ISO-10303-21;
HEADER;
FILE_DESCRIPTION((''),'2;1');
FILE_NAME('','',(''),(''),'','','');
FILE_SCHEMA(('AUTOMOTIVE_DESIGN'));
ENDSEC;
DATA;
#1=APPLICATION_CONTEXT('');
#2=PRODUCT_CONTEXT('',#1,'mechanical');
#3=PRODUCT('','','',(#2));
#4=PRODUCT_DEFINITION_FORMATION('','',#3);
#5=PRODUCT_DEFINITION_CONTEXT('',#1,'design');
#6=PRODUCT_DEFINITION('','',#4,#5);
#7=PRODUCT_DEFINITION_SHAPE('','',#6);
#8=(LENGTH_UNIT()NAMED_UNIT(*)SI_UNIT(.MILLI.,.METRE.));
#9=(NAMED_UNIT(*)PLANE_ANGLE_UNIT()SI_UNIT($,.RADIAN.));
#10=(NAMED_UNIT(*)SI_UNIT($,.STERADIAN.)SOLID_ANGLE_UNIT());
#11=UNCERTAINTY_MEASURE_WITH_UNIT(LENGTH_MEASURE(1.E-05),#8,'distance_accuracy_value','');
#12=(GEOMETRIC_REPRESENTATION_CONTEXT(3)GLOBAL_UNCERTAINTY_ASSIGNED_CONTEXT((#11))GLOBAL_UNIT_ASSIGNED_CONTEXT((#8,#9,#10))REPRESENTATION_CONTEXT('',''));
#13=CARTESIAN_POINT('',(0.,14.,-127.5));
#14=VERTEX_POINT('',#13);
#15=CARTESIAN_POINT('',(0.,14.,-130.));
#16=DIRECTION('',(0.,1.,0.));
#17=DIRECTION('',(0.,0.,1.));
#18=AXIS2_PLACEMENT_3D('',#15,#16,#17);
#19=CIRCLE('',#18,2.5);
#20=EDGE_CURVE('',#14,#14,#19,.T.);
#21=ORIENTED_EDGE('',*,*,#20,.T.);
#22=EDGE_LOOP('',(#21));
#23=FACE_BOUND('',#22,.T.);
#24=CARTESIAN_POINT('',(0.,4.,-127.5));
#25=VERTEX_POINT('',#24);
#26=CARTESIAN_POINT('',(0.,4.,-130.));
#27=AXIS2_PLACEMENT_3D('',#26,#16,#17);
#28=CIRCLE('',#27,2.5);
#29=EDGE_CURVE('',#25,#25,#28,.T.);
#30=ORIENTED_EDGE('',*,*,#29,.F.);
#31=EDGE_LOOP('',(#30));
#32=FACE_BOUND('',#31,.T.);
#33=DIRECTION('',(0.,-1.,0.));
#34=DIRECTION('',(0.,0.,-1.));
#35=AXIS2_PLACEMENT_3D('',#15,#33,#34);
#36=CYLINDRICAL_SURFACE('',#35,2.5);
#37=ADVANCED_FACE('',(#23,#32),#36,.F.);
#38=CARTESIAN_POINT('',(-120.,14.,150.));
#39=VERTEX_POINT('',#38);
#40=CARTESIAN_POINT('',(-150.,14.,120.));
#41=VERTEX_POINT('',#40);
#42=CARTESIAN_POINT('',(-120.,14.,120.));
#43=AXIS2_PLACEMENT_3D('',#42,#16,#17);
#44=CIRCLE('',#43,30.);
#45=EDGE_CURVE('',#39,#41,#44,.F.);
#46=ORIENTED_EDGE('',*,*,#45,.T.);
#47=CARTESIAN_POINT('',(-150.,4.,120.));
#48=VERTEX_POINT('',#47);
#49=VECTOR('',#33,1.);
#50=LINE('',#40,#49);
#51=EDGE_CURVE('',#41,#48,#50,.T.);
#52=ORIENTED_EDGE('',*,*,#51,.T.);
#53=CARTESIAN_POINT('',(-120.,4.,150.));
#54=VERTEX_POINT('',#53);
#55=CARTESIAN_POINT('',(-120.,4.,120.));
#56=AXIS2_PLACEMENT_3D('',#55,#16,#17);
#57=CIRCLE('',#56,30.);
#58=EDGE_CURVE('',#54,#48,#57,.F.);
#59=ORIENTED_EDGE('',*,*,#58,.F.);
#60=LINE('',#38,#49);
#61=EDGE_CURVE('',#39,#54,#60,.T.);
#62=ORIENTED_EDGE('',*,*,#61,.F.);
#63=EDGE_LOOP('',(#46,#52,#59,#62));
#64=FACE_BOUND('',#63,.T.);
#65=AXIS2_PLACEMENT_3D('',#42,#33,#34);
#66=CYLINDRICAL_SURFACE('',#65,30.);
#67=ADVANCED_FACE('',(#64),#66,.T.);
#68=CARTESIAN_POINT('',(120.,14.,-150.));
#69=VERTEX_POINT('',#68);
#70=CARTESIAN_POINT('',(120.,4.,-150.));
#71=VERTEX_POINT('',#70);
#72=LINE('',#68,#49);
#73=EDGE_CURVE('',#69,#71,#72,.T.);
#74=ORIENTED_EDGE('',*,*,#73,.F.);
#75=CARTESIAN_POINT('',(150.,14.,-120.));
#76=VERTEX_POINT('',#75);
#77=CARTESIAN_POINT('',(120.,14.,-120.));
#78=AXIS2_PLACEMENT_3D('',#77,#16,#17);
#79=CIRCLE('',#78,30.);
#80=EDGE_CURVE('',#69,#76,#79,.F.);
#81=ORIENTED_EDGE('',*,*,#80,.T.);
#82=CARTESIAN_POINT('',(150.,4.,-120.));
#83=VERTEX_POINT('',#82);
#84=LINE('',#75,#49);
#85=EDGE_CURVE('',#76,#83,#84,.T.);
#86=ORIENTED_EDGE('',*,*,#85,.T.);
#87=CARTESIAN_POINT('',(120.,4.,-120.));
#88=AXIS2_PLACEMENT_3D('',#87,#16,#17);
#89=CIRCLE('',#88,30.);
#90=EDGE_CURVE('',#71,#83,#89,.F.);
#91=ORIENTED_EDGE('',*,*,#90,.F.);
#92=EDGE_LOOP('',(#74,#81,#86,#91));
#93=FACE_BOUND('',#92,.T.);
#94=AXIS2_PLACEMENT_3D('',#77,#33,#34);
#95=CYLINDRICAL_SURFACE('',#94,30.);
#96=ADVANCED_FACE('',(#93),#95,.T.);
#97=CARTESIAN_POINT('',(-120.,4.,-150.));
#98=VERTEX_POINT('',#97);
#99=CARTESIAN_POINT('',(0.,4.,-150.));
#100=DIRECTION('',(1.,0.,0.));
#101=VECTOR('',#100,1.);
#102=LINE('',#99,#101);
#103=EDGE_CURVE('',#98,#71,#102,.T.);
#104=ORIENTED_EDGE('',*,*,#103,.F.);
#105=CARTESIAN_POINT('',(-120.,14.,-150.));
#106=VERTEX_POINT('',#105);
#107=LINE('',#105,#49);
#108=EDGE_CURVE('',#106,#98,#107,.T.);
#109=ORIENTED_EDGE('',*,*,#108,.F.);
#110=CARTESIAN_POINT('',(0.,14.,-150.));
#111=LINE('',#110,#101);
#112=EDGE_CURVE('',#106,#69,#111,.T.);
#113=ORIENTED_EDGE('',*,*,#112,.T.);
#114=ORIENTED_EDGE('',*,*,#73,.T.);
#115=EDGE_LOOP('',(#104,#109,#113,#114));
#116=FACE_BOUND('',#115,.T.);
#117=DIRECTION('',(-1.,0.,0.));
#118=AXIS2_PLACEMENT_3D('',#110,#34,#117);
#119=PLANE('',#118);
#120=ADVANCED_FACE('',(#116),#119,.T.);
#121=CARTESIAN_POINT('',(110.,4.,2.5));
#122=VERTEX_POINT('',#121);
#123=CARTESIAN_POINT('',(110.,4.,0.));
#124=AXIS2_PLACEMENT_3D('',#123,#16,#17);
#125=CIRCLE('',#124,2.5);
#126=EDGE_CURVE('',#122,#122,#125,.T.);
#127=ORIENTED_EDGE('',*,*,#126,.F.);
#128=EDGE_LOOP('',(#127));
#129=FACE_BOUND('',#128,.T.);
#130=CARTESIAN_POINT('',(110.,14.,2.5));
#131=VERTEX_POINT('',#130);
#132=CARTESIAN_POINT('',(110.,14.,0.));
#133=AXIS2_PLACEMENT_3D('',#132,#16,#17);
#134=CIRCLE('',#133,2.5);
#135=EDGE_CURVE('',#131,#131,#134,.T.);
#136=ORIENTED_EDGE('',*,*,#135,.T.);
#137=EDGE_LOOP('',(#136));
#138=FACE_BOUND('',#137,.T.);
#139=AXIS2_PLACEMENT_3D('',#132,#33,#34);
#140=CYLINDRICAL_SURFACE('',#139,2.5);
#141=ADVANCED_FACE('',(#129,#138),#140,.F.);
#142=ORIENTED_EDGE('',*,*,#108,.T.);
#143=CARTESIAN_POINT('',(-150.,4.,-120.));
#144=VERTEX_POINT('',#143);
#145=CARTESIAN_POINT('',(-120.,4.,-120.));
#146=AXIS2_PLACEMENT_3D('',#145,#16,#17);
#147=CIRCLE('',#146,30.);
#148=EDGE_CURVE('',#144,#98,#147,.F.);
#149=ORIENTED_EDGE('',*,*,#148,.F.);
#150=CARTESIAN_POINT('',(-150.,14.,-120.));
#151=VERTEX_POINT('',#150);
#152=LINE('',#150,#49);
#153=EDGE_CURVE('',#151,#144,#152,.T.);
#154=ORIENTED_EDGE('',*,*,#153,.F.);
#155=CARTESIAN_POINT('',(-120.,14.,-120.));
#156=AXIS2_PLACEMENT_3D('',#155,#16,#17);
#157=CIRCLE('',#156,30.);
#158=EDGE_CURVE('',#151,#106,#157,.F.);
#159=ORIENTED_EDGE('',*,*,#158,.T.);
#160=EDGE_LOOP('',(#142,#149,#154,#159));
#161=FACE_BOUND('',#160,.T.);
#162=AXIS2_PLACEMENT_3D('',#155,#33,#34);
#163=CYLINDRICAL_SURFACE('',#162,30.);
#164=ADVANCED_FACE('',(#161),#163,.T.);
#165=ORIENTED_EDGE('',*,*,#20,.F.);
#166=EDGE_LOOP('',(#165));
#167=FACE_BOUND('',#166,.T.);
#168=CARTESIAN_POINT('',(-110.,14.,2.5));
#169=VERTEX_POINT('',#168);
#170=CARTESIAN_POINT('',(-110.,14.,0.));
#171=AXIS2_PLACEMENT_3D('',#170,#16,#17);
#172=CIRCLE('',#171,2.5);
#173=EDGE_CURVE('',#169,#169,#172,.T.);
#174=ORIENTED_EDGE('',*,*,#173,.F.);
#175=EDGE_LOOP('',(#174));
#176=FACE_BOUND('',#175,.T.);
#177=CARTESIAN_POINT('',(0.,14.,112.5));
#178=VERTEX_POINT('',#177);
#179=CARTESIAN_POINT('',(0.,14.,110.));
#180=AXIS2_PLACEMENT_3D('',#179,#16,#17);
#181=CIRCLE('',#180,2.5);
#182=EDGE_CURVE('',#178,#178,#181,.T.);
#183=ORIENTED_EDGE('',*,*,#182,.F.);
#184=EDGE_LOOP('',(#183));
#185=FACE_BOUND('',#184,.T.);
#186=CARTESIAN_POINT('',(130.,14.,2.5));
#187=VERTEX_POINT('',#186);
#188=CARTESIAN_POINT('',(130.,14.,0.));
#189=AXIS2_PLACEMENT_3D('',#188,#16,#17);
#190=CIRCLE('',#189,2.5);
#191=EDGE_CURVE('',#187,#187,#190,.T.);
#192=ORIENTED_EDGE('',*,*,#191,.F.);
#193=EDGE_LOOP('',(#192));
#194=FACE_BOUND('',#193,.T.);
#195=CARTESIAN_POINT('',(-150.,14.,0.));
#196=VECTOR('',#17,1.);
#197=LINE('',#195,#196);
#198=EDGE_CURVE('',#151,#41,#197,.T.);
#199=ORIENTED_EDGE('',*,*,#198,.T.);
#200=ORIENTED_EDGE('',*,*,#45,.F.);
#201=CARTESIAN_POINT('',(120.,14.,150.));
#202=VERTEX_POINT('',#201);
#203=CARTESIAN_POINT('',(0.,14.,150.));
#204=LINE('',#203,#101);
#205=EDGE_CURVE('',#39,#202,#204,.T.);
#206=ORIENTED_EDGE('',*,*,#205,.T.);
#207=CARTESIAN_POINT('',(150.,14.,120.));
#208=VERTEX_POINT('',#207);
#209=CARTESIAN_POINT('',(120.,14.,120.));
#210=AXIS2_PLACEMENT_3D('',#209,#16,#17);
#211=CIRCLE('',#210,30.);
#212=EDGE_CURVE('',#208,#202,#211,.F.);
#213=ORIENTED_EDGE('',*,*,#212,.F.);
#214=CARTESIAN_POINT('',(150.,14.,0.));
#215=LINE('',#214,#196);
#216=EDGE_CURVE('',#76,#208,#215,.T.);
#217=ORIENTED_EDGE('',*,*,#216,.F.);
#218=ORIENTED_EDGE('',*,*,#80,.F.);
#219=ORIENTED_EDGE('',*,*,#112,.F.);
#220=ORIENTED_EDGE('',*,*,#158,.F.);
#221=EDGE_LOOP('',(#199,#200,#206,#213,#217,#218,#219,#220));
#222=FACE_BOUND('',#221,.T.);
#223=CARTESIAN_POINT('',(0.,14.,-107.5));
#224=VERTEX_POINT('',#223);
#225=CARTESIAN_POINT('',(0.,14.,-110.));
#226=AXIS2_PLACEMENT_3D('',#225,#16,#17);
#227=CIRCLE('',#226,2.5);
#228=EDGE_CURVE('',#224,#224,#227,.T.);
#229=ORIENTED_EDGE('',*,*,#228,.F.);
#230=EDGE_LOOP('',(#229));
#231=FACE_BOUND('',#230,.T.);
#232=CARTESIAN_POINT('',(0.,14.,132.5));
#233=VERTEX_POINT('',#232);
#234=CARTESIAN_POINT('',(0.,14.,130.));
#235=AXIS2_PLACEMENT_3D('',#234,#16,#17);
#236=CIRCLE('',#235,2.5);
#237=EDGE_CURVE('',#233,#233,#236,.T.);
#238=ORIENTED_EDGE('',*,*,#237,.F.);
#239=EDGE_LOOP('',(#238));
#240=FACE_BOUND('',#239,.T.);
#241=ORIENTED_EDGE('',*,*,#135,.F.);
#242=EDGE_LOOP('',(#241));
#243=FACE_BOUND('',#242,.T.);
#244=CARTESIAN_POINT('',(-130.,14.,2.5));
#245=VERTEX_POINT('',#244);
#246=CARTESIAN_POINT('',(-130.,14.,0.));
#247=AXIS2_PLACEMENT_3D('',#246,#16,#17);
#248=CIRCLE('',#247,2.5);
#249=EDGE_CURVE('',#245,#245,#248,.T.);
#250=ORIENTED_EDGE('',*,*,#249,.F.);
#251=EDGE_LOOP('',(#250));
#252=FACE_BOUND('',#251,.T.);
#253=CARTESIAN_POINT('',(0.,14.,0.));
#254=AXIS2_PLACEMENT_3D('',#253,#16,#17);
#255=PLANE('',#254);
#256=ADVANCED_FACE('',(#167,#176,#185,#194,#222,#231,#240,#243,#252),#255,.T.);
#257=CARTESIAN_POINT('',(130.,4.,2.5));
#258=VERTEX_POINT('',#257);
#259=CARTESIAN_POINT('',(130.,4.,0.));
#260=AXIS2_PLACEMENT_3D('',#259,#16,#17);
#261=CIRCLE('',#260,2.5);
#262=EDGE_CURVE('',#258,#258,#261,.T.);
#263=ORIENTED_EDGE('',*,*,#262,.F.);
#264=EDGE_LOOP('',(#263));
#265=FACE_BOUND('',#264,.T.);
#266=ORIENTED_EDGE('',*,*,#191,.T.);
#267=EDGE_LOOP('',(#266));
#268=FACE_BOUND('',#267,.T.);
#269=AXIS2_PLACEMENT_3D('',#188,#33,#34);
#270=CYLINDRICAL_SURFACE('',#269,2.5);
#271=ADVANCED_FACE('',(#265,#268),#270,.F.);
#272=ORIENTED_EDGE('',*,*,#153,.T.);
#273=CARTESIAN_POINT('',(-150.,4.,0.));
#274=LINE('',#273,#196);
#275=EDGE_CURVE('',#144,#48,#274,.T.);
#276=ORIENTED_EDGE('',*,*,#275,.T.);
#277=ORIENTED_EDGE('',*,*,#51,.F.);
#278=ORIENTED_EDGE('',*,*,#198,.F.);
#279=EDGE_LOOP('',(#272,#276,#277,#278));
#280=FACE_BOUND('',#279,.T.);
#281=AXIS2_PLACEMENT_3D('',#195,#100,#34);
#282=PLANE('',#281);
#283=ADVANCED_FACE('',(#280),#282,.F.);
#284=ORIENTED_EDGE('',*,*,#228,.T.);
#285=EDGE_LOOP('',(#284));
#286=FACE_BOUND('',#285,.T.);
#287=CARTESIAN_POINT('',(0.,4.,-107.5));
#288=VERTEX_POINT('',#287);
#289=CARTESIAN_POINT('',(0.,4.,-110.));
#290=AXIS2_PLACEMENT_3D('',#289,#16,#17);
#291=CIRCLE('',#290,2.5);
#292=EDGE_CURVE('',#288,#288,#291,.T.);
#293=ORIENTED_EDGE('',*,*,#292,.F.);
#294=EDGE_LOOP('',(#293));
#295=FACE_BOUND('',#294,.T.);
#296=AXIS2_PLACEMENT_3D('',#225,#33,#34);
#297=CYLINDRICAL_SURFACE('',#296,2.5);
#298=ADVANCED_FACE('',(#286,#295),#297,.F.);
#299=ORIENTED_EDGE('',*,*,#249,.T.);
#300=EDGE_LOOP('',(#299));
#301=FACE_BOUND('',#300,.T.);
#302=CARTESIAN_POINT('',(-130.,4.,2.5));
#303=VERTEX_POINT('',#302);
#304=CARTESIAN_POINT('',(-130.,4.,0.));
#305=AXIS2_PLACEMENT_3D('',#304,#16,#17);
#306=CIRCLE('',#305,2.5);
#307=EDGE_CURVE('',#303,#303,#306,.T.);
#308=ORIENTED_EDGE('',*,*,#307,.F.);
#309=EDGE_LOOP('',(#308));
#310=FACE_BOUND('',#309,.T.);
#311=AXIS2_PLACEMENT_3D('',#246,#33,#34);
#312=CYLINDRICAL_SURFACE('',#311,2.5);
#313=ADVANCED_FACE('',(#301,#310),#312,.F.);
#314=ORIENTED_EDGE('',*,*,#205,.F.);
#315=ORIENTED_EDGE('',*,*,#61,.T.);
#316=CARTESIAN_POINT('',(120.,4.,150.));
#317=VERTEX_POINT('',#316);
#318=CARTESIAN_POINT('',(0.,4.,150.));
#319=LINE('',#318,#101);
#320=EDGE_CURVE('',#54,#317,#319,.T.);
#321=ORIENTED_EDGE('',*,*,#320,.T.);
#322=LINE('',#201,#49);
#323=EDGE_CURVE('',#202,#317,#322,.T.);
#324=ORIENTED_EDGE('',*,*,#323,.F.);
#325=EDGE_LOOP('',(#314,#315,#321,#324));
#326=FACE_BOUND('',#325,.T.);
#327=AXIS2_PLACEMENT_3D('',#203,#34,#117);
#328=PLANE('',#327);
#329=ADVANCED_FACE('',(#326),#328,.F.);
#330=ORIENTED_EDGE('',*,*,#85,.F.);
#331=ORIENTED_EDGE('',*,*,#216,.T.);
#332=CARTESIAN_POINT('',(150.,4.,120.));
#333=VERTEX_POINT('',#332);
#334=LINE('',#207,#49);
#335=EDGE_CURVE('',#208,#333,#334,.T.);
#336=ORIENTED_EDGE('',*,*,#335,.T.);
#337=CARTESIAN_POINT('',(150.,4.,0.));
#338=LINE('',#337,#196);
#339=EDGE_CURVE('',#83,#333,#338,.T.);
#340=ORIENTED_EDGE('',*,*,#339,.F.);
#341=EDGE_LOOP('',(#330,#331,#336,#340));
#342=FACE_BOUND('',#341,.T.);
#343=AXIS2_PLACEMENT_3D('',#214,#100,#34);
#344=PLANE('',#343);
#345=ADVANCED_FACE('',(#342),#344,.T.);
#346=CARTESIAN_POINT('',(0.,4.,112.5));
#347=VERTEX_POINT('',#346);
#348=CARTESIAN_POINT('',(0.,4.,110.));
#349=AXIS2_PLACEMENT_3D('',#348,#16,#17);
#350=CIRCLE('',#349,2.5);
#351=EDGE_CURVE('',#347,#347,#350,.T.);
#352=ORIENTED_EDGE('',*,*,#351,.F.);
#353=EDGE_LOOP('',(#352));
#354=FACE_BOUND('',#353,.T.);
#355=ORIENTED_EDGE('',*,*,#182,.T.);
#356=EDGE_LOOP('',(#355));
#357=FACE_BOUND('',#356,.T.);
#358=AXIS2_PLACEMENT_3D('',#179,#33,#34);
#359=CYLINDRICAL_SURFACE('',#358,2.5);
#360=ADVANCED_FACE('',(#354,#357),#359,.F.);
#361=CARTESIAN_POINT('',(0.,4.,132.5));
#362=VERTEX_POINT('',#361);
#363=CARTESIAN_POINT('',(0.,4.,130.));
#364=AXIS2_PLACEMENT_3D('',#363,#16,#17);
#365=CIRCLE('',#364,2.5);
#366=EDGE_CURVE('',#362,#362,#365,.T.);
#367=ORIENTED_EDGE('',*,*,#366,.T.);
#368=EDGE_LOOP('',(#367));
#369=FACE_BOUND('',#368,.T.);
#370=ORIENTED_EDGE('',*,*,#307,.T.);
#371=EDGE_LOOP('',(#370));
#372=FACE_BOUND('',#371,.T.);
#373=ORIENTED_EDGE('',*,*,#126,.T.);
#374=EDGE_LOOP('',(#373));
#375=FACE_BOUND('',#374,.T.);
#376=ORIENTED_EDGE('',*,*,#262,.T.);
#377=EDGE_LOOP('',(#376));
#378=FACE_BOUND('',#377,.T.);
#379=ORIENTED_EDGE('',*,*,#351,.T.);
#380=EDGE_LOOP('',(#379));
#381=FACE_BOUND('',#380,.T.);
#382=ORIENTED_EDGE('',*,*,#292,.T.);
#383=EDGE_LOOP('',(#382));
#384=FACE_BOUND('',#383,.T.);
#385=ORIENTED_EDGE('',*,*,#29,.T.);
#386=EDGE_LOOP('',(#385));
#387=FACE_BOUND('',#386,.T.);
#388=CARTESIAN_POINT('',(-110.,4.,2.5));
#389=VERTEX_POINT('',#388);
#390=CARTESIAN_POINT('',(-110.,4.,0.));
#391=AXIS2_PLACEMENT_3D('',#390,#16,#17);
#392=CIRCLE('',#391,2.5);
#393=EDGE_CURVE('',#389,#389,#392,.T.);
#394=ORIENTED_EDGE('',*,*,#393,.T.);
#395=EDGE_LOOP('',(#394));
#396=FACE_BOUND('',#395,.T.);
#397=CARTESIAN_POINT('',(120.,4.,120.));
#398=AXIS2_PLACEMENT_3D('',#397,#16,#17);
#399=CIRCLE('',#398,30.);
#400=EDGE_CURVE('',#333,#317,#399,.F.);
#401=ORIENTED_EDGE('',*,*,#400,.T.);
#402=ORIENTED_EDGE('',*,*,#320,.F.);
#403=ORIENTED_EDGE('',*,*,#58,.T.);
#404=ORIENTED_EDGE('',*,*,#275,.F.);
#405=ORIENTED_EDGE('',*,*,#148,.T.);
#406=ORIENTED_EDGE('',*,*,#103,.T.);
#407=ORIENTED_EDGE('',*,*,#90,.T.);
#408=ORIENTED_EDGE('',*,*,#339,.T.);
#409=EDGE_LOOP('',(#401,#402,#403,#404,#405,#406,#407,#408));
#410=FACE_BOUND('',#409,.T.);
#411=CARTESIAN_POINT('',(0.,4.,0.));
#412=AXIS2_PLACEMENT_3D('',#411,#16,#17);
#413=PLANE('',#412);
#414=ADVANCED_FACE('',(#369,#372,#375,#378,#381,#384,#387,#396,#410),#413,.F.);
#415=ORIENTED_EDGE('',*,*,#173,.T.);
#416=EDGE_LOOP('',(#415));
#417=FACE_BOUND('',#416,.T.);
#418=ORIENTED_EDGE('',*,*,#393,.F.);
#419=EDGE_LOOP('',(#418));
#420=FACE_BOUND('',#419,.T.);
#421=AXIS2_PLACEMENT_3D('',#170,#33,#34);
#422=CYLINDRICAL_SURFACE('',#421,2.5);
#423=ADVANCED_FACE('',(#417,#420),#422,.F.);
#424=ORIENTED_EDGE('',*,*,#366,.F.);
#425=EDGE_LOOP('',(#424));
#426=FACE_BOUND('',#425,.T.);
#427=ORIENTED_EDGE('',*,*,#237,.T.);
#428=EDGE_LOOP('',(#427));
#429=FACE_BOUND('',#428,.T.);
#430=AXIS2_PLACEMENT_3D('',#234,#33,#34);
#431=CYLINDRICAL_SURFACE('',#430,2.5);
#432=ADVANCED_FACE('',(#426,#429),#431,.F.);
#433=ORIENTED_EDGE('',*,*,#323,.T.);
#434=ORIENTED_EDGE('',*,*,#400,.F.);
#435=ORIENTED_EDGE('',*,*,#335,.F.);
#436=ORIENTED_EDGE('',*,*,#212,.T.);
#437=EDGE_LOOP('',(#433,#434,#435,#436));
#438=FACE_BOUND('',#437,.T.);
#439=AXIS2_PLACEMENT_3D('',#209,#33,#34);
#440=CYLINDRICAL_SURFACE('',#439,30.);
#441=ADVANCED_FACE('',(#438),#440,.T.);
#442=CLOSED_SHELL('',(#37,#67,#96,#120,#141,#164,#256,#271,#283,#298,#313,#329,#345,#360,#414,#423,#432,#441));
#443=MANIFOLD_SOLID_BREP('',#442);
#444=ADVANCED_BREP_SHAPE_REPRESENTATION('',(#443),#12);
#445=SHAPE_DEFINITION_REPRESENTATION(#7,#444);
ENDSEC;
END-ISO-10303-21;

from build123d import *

# Parameters (mm, degrees)
BOSS_EXTRUDE3_DEPTH = 4
SKETCH2_R           = 2.5
BOSS_EXTRUDE4_DEPTH = 10
CUT_EXTRUDE1_DEPTH  = 52
SKETCH4_W           = 171.868784408
SKETCH4_H           = 181.506286336
BOSS_EXTRUDE5_DEPTH = 10


with BuildPart() as part:
    # Sketch1 → Boss-Extrude3 (new body)
    with BuildSketch(Plane(origin=(0, 0, 0), x_dir=(1, 0, 0), z_dir=(0, 1, 0))):
        with BuildLine():
            ThreePointArc((-75, -60), (-70.606601718, -70.606601718), (-60, -75))
            Line((-60, -75), (60, -75))
            ThreePointArc((60, -75), (70.606601718, -70.606601718), (75, -60))
            Line((75, -60), (75, 60))
            ThreePointArc((75, 60), (70.606601718, 70.606601718), (60, 75))
            Line((60, 75), (-60, 75))
            ThreePointArc((-60, 75), (-70.606601718, 70.606601718), (-75, 60))
            Line((-75, 60), (-75, -60))
        make_face()
    extrude(amount=BOSS_EXTRUDE3_DEPTH)

    # Sketch3 → Cut-Extrude1 (cut)
    with BuildSketch(Plane(origin=(0, 14, 0), x_dir=(1, 0, 0), z_dir=(0, 1, 0))):
        with BuildLine():
            Line((-60, 76), (60, 76))
            ThreePointArc((60, 76), (71.313708499, 71.313708499), (76, 60))
            Line((76, 60), (76, -60))
            ThreePointArc((76, -60), (71.313708499, -71.313708499), (60, -76))
            Line((60, -76), (-60, -76))
            ThreePointArc((-60, -76), (-71.313708499, -71.313708499), (-76, -60))
            Line((-76, -60), (-76, 60))
            ThreePointArc((-76, 60), (-71.313708499, 71.313708499), (-60, 76))
        make_face()
    extrude(amount=-CUT_EXTRUDE1_DEPTH, mode=Mode.SUBTRACT)


with BuildPart() as body_2:
    # Sketch2 → Boss-Extrude4 (new body)
    # profile 1 of 5: a face of its own
    with BuildSketch(Plane(origin=(0, 4, 0), x_dir=(1, 0, 0), z_dir=(0, 1, 0))):
        with BuildLine():
            ThreePointArc((150, -120), (141.213203436, -141.213203436), (120, -150))
            Line((120, -150), (-120, -150))
            ThreePointArc((-120, -150), (-141.213203436, -141.213203436), (-150, -120))
            Line((-150, -120), (-150, 120))
            ThreePointArc((-150, 120), (-141.213203436, 141.213203436), (-120, 150))
            Line((-120, 150), (120, 150))
            ThreePointArc((120, 150), (141.213203436, 141.213203436), (150, 120))
            Line((150, 120), (150, -120))
        make_face()
        with Locations(Location((-110, 0, 0), (0, 0, 270))):
            Circle(SKETCH2_R, mode=Mode.SUBTRACT)
        with Locations(Location((-130, 0, 0), (0, 0, 270))):
            Circle(SKETCH2_R, mode=Mode.SUBTRACT)
        with Locations(Location((130, 0, 0), (0, 0, 270))):
            Circle(SKETCH2_R, mode=Mode.SUBTRACT)
        with Locations(Location((110, 0, 0), (0, 0, 270))):
            Circle(SKETCH2_R, mode=Mode.SUBTRACT)
        with Locations(Location((0, -130, 0), (0, 0, 270))):
            Circle(SKETCH2_R, mode=Mode.SUBTRACT)
        with Locations(Location((0, -110, 0), (0, 0, 270))):
            Circle(SKETCH2_R, mode=Mode.SUBTRACT)
        with Locations(Location((0, 110, 0), (0, 0, 270))):
            Circle(SKETCH2_R, mode=Mode.SUBTRACT)
        with Locations(Location((0, 130, 0), (0, 0, 270))):
            Circle(SKETCH2_R, mode=Mode.SUBTRACT)
        Polygon((-76, -76), (-76, 76), (0, 76), (76, 76), (76, -76), align=None, mode=Mode.SUBTRACT)
    # profile 2 of 5: a face of its own
    with BuildSketch(Plane(origin=(0, 4, 0), x_dir=(1, 0, 0), z_dir=(0, 1, 0))):
        with BuildLine():
            ThreePointArc((-60, -76), (-71.313708499, -71.313708499), (-76, -60))
            Line((-76, -60), (-76, -76))
            Line((-76, -76), (-60, -76))
        make_face()
    # profile 3 of 5: a face of its own
    with BuildSketch(Plane(origin=(0, 4, 0), x_dir=(1, 0, 0), z_dir=(0, 1, 0))):
        with BuildLine():
            Line((76, -76), (76, -60))
            ThreePointArc((76, -60), (71.313708499, -71.313708499), (60, -76))
            Line((60, -76), (76, -76))
        make_face()
    # profile 4 of 5: a face of its own
    with BuildSketch(Plane(origin=(0, 4, 0), x_dir=(1, 0, 0), z_dir=(0, 1, 0))):
        with BuildLine():
            Line((76, 76), (60, 76))
            ThreePointArc((60, 76), (71.313708499, 71.313708499), (76, 60))
            Line((76, 60), (76, 76))
        make_face()
    # profile 5 of 5: a face of its own
    with BuildSketch(Plane(origin=(0, 4, 0), x_dir=(1, 0, 0), z_dir=(0, 1, 0))):
        with BuildLine():
            ThreePointArc((-76, 60), (-71.313708499, 71.313708499), (-60, 76))
            Line((-60, 76), (-76, 76))
            Line((-76, 76), (-76, 60))
        make_face()
    extrude(amount=BOSS_EXTRUDE4_DEPTH)

    # Sketch4 → Boss-Extrude5 (add)
    with BuildSketch(Plane(origin=(0, 14, 0), x_dir=(1, 0, 0), z_dir=(0, 1, 0))):
        Rectangle(SKETCH4_W, SKETCH4_H)
    extrude(amount=-BOSS_EXTRUDE5_DEPTH)


solid = body_2.part
